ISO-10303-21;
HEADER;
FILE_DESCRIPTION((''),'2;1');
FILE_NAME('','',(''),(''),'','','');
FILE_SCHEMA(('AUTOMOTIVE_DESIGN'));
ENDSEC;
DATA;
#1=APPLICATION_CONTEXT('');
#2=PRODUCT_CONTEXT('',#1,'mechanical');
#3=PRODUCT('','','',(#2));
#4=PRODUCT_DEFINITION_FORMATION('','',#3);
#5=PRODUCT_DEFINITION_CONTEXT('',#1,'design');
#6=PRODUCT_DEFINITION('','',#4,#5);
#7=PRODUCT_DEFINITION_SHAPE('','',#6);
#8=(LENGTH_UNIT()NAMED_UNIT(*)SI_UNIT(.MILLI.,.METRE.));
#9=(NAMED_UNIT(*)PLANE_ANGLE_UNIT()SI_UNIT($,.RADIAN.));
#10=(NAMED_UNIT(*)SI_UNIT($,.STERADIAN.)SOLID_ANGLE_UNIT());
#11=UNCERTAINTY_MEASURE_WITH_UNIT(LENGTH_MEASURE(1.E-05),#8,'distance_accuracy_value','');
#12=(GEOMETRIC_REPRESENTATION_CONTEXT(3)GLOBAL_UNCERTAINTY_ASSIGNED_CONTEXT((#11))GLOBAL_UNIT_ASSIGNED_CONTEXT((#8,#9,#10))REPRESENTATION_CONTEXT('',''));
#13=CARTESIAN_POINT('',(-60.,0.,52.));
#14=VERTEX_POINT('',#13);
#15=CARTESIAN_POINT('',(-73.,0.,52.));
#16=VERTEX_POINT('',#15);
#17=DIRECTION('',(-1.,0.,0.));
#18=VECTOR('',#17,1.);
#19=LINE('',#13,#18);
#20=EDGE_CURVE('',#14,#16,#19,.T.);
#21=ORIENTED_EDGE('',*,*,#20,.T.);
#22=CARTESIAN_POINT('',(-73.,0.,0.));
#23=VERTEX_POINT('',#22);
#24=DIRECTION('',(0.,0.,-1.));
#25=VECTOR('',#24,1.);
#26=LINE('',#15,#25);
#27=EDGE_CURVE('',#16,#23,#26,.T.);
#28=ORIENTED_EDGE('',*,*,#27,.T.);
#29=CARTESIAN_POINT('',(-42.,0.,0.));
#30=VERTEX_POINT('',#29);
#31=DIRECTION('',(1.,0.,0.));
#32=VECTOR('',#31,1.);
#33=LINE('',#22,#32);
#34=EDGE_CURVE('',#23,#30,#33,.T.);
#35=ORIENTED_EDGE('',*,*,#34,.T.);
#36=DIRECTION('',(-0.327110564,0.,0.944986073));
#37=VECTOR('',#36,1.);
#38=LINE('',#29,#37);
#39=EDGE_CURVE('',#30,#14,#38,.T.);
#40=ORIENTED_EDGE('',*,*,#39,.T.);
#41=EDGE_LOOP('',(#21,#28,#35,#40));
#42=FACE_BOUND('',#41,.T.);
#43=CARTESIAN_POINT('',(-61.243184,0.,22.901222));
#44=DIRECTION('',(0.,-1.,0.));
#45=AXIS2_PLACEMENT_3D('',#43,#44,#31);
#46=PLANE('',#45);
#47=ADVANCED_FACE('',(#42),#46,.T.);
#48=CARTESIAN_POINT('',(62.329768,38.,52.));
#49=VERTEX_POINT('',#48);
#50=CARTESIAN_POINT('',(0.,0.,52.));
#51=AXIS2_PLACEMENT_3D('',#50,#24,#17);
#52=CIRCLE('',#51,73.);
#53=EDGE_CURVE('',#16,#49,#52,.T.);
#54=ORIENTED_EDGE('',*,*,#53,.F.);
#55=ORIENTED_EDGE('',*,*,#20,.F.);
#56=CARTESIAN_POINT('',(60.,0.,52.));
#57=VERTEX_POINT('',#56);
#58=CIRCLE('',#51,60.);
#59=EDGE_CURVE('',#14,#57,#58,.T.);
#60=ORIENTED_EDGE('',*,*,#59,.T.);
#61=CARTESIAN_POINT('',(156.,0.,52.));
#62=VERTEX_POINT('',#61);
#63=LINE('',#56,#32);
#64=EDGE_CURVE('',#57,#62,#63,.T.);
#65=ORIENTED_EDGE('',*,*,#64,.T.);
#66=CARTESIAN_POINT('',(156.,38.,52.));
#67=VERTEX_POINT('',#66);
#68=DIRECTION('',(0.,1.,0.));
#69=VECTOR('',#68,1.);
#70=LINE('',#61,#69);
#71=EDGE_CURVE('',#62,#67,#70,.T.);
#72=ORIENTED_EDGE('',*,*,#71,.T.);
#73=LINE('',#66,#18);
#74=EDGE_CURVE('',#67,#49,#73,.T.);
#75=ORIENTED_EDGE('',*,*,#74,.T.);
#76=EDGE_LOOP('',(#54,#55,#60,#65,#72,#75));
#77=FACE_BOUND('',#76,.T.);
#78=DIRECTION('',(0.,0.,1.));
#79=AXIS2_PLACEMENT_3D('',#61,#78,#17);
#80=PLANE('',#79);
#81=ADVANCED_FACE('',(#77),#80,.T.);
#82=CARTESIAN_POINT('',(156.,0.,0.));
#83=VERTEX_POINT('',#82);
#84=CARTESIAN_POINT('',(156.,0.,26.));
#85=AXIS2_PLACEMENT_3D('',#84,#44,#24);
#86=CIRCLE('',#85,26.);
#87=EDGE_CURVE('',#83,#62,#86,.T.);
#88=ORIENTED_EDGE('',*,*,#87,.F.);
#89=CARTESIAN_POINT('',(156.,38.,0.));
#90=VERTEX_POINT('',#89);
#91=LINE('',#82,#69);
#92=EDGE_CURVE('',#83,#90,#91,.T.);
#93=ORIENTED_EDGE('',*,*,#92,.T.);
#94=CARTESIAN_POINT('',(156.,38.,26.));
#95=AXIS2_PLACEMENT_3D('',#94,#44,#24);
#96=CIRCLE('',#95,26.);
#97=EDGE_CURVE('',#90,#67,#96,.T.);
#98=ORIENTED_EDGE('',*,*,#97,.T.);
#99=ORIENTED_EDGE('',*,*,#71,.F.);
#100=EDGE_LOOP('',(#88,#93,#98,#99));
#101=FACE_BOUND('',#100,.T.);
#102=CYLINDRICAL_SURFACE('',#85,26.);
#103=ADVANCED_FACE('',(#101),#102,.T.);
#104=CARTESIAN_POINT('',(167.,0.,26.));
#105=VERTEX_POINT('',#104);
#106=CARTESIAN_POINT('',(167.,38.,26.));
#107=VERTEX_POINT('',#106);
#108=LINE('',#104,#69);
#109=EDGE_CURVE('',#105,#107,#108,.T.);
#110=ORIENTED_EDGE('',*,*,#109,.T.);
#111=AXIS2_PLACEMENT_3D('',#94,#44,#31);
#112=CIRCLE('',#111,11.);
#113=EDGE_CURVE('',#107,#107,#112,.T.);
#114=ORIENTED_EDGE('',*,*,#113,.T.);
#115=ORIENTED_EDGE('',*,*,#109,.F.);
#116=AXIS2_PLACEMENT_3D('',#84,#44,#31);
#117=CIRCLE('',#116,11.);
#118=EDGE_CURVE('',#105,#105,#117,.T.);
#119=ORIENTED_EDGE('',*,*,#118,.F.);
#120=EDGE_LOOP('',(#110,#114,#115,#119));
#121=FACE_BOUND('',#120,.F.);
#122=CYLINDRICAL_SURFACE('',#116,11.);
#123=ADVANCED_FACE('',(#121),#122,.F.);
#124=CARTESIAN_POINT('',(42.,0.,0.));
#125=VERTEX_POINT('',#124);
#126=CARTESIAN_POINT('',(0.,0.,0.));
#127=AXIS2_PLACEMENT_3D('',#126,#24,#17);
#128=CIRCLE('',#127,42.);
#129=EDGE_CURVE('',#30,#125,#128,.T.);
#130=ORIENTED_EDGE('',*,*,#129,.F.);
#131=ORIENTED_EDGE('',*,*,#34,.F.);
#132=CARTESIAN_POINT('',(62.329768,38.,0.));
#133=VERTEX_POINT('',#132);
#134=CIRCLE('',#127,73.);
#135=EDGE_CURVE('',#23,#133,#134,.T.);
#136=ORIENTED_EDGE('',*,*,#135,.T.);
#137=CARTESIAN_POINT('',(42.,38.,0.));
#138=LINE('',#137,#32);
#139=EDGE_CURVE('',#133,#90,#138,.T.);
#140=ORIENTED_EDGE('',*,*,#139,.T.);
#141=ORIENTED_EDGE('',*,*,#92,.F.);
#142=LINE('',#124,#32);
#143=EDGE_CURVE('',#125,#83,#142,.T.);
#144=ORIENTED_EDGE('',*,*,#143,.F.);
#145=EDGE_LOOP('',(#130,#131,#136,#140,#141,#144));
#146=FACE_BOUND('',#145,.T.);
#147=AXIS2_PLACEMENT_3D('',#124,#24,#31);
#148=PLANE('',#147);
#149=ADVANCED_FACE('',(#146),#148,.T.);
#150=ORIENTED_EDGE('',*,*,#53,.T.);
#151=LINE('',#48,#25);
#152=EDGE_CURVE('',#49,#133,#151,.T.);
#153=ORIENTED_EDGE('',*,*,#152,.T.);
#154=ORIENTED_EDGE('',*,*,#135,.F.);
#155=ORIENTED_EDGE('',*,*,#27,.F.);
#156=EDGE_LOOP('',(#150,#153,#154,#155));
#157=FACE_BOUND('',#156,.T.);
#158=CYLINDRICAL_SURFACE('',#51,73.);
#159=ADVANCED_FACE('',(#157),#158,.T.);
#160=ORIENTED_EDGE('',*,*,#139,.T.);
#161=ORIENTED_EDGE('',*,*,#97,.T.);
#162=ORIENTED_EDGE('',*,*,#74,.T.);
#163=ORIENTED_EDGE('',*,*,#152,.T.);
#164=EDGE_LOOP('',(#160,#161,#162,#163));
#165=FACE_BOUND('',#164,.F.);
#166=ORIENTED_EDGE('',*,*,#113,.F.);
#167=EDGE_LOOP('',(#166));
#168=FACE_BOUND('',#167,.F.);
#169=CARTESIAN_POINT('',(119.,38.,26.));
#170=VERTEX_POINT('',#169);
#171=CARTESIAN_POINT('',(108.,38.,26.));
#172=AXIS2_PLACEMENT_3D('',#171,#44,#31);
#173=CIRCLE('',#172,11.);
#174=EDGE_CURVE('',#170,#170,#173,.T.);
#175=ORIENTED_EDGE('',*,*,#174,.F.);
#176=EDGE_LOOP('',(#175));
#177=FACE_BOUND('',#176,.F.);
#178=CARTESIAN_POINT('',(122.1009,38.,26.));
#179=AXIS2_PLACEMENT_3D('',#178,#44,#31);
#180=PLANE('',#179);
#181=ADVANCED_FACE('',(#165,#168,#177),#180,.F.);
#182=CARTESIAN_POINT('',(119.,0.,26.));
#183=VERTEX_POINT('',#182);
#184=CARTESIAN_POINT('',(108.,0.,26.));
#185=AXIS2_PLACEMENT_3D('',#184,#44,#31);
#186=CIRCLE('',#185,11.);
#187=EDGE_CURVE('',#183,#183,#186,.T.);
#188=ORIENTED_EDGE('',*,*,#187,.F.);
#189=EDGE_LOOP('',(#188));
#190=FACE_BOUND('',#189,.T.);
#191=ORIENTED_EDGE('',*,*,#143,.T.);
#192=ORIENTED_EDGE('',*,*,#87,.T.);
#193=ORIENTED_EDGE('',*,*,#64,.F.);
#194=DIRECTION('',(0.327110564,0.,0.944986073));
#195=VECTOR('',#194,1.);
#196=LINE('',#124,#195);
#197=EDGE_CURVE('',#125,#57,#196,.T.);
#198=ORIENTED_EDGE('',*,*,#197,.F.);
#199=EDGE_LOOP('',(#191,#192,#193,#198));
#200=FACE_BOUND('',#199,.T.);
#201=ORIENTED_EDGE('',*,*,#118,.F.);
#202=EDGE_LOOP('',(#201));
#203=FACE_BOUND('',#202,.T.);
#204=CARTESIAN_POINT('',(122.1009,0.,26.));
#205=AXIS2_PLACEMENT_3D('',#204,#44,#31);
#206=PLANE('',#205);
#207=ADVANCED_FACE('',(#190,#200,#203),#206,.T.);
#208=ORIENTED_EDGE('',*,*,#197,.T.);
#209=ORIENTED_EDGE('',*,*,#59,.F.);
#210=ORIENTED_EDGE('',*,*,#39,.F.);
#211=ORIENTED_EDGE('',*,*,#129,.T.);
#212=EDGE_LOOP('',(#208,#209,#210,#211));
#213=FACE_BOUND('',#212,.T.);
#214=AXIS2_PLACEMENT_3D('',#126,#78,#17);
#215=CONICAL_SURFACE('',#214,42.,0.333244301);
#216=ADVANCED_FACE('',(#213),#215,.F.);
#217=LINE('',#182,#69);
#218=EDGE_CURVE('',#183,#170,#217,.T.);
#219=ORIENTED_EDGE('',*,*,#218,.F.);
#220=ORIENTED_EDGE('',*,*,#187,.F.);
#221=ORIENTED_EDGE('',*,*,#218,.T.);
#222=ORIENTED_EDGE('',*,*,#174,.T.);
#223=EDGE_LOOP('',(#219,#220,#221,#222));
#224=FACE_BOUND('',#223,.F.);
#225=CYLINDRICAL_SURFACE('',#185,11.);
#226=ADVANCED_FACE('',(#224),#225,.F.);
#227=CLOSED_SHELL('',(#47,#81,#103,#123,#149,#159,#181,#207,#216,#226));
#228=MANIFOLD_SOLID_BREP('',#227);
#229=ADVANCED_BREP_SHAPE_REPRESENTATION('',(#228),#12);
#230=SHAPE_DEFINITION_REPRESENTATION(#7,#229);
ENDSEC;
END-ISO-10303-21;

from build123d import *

# Parameters (mm, degrees)
F1_ANGLE = 180
F2_R     = 11
F3_DEPTH = 38


with BuildPart() as f1:
    # F0 (on Front) → F1 (revolve)
    with BuildSketch(Plane.XZ):
        Polygon((-73, 52), (-73, 0), (-42, 0), (-60, 52), align=None)
    revolve(axis=Axis((0, 0, 8.676963), (0, 0, -1)), revolution_arc=F1_ANGLE)

    # F2 (on face) → F3 (join)
    with BuildSketch(Plane.XZ):
        with BuildLine():
            Line((73, 52), (73, 0))
            Line((73, 0), (156, 0))
            ThreePointArc((156, 0), (182, 26), (156, 52))
            Line((156, 52), (73, 52))
        make_face()
        with Locations((108, 26)):
            Circle(F2_R, mode=Mode.SUBTRACT)
        with Locations((156, 26)):
            Circle(F2_R, mode=Mode.SUBTRACT)
        Polygon((60, 52), (42, 0), (73, 0), (73, 52), align=None)
    extrude(amount=-F3_DEPTH)


solid = f1.part
